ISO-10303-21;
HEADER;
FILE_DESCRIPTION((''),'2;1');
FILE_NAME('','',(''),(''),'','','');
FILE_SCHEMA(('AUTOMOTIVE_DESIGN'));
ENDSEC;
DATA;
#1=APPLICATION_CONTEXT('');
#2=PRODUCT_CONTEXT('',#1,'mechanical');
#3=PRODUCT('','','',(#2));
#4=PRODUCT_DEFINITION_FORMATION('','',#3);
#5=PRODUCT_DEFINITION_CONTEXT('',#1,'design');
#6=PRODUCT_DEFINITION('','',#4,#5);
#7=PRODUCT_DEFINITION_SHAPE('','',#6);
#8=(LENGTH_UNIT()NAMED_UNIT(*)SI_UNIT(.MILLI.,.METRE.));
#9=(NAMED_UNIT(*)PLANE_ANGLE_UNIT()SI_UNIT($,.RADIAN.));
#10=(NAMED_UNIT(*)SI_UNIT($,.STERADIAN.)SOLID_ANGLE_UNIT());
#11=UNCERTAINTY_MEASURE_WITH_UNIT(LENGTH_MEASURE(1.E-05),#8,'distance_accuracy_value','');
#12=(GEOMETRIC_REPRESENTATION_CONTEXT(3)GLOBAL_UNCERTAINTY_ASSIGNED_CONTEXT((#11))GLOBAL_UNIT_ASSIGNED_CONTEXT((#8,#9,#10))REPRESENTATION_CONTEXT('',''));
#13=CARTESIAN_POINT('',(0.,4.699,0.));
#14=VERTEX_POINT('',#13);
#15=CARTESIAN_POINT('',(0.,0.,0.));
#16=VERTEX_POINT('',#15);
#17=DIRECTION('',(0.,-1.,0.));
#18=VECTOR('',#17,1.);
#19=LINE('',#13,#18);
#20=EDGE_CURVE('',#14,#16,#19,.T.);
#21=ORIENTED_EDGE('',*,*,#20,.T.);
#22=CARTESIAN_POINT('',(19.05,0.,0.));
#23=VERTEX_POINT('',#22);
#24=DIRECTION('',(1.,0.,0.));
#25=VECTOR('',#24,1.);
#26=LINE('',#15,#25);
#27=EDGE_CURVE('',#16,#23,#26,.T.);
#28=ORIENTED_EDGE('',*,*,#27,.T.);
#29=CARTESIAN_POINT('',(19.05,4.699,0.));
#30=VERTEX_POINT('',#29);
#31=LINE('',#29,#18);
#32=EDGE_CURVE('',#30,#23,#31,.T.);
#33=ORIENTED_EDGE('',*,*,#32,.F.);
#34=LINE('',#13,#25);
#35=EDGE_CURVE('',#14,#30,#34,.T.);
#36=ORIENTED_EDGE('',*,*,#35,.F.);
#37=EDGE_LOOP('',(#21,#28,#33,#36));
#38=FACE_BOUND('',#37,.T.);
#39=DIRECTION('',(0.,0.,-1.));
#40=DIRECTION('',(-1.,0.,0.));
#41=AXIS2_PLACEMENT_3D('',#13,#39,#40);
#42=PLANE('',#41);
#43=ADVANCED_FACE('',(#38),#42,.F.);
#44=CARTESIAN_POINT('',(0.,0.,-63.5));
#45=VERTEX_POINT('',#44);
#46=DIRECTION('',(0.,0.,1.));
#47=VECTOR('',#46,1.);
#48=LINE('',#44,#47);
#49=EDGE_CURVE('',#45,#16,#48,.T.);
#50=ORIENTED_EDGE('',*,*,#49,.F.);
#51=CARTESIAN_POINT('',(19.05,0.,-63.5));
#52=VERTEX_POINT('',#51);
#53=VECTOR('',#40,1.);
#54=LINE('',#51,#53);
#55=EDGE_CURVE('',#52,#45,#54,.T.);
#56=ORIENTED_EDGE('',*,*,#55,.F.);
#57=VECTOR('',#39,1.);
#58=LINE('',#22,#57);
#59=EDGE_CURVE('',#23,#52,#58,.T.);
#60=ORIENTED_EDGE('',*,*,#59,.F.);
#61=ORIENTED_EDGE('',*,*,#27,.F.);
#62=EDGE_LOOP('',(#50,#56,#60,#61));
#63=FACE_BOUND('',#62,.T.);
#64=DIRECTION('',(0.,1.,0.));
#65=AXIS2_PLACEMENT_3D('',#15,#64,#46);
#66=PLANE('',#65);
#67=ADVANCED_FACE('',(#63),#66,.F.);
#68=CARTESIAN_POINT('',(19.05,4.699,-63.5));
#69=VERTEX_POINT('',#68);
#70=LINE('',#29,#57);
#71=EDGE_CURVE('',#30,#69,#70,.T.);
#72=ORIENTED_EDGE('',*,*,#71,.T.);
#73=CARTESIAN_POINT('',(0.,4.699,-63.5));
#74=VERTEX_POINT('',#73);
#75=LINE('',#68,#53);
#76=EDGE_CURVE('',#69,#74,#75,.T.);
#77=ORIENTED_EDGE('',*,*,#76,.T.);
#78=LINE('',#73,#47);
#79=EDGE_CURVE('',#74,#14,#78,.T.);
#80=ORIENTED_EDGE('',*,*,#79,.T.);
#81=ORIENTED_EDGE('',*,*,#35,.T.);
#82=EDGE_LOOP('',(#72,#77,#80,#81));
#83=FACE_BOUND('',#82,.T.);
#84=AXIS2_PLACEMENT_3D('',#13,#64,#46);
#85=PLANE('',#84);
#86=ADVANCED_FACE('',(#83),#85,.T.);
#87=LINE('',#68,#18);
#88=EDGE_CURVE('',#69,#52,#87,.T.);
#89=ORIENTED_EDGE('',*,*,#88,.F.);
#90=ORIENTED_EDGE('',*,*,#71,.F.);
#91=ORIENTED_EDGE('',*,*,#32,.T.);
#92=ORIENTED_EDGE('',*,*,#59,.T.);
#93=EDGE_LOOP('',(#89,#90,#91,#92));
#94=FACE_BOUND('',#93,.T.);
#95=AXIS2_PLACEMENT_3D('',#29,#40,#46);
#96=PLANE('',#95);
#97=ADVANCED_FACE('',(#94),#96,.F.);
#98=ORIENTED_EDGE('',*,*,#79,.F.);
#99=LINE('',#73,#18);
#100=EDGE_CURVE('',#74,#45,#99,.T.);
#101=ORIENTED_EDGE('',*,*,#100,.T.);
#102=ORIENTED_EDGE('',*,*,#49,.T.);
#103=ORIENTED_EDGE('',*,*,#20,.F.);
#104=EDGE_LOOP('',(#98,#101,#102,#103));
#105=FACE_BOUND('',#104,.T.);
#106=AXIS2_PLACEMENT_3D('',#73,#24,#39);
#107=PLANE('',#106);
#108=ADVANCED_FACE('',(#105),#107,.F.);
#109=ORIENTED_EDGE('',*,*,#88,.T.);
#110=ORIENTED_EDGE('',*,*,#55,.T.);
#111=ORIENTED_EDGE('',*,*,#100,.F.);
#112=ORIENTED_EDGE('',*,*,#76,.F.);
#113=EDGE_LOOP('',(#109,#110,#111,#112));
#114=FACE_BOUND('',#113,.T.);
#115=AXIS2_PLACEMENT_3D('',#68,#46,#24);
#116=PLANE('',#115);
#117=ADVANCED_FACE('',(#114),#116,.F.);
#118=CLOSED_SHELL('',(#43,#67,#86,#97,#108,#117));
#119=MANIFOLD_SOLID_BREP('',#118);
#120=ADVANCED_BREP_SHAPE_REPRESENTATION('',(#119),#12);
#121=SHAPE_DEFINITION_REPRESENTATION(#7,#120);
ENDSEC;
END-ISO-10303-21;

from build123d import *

# Parameters (mm, degrees)
SKETCH1_W      = 19.05
SKETCH1_H      = 63.5
EXTRUDE1_DEPTH = 4.699


with BuildPart() as part:
    # Sketch1 → Extrude1 (new body)
    with BuildSketch(Plane(origin=(0, 0, 0), x_dir=(1, 0, 0), z_dir=(0, 1, 0))):
        with Locations((9.525, 31.75)):
            Rectangle(SKETCH1_W, SKETCH1_H)
    extrude(amount=EXTRUDE1_DEPTH)


solid = part.part
